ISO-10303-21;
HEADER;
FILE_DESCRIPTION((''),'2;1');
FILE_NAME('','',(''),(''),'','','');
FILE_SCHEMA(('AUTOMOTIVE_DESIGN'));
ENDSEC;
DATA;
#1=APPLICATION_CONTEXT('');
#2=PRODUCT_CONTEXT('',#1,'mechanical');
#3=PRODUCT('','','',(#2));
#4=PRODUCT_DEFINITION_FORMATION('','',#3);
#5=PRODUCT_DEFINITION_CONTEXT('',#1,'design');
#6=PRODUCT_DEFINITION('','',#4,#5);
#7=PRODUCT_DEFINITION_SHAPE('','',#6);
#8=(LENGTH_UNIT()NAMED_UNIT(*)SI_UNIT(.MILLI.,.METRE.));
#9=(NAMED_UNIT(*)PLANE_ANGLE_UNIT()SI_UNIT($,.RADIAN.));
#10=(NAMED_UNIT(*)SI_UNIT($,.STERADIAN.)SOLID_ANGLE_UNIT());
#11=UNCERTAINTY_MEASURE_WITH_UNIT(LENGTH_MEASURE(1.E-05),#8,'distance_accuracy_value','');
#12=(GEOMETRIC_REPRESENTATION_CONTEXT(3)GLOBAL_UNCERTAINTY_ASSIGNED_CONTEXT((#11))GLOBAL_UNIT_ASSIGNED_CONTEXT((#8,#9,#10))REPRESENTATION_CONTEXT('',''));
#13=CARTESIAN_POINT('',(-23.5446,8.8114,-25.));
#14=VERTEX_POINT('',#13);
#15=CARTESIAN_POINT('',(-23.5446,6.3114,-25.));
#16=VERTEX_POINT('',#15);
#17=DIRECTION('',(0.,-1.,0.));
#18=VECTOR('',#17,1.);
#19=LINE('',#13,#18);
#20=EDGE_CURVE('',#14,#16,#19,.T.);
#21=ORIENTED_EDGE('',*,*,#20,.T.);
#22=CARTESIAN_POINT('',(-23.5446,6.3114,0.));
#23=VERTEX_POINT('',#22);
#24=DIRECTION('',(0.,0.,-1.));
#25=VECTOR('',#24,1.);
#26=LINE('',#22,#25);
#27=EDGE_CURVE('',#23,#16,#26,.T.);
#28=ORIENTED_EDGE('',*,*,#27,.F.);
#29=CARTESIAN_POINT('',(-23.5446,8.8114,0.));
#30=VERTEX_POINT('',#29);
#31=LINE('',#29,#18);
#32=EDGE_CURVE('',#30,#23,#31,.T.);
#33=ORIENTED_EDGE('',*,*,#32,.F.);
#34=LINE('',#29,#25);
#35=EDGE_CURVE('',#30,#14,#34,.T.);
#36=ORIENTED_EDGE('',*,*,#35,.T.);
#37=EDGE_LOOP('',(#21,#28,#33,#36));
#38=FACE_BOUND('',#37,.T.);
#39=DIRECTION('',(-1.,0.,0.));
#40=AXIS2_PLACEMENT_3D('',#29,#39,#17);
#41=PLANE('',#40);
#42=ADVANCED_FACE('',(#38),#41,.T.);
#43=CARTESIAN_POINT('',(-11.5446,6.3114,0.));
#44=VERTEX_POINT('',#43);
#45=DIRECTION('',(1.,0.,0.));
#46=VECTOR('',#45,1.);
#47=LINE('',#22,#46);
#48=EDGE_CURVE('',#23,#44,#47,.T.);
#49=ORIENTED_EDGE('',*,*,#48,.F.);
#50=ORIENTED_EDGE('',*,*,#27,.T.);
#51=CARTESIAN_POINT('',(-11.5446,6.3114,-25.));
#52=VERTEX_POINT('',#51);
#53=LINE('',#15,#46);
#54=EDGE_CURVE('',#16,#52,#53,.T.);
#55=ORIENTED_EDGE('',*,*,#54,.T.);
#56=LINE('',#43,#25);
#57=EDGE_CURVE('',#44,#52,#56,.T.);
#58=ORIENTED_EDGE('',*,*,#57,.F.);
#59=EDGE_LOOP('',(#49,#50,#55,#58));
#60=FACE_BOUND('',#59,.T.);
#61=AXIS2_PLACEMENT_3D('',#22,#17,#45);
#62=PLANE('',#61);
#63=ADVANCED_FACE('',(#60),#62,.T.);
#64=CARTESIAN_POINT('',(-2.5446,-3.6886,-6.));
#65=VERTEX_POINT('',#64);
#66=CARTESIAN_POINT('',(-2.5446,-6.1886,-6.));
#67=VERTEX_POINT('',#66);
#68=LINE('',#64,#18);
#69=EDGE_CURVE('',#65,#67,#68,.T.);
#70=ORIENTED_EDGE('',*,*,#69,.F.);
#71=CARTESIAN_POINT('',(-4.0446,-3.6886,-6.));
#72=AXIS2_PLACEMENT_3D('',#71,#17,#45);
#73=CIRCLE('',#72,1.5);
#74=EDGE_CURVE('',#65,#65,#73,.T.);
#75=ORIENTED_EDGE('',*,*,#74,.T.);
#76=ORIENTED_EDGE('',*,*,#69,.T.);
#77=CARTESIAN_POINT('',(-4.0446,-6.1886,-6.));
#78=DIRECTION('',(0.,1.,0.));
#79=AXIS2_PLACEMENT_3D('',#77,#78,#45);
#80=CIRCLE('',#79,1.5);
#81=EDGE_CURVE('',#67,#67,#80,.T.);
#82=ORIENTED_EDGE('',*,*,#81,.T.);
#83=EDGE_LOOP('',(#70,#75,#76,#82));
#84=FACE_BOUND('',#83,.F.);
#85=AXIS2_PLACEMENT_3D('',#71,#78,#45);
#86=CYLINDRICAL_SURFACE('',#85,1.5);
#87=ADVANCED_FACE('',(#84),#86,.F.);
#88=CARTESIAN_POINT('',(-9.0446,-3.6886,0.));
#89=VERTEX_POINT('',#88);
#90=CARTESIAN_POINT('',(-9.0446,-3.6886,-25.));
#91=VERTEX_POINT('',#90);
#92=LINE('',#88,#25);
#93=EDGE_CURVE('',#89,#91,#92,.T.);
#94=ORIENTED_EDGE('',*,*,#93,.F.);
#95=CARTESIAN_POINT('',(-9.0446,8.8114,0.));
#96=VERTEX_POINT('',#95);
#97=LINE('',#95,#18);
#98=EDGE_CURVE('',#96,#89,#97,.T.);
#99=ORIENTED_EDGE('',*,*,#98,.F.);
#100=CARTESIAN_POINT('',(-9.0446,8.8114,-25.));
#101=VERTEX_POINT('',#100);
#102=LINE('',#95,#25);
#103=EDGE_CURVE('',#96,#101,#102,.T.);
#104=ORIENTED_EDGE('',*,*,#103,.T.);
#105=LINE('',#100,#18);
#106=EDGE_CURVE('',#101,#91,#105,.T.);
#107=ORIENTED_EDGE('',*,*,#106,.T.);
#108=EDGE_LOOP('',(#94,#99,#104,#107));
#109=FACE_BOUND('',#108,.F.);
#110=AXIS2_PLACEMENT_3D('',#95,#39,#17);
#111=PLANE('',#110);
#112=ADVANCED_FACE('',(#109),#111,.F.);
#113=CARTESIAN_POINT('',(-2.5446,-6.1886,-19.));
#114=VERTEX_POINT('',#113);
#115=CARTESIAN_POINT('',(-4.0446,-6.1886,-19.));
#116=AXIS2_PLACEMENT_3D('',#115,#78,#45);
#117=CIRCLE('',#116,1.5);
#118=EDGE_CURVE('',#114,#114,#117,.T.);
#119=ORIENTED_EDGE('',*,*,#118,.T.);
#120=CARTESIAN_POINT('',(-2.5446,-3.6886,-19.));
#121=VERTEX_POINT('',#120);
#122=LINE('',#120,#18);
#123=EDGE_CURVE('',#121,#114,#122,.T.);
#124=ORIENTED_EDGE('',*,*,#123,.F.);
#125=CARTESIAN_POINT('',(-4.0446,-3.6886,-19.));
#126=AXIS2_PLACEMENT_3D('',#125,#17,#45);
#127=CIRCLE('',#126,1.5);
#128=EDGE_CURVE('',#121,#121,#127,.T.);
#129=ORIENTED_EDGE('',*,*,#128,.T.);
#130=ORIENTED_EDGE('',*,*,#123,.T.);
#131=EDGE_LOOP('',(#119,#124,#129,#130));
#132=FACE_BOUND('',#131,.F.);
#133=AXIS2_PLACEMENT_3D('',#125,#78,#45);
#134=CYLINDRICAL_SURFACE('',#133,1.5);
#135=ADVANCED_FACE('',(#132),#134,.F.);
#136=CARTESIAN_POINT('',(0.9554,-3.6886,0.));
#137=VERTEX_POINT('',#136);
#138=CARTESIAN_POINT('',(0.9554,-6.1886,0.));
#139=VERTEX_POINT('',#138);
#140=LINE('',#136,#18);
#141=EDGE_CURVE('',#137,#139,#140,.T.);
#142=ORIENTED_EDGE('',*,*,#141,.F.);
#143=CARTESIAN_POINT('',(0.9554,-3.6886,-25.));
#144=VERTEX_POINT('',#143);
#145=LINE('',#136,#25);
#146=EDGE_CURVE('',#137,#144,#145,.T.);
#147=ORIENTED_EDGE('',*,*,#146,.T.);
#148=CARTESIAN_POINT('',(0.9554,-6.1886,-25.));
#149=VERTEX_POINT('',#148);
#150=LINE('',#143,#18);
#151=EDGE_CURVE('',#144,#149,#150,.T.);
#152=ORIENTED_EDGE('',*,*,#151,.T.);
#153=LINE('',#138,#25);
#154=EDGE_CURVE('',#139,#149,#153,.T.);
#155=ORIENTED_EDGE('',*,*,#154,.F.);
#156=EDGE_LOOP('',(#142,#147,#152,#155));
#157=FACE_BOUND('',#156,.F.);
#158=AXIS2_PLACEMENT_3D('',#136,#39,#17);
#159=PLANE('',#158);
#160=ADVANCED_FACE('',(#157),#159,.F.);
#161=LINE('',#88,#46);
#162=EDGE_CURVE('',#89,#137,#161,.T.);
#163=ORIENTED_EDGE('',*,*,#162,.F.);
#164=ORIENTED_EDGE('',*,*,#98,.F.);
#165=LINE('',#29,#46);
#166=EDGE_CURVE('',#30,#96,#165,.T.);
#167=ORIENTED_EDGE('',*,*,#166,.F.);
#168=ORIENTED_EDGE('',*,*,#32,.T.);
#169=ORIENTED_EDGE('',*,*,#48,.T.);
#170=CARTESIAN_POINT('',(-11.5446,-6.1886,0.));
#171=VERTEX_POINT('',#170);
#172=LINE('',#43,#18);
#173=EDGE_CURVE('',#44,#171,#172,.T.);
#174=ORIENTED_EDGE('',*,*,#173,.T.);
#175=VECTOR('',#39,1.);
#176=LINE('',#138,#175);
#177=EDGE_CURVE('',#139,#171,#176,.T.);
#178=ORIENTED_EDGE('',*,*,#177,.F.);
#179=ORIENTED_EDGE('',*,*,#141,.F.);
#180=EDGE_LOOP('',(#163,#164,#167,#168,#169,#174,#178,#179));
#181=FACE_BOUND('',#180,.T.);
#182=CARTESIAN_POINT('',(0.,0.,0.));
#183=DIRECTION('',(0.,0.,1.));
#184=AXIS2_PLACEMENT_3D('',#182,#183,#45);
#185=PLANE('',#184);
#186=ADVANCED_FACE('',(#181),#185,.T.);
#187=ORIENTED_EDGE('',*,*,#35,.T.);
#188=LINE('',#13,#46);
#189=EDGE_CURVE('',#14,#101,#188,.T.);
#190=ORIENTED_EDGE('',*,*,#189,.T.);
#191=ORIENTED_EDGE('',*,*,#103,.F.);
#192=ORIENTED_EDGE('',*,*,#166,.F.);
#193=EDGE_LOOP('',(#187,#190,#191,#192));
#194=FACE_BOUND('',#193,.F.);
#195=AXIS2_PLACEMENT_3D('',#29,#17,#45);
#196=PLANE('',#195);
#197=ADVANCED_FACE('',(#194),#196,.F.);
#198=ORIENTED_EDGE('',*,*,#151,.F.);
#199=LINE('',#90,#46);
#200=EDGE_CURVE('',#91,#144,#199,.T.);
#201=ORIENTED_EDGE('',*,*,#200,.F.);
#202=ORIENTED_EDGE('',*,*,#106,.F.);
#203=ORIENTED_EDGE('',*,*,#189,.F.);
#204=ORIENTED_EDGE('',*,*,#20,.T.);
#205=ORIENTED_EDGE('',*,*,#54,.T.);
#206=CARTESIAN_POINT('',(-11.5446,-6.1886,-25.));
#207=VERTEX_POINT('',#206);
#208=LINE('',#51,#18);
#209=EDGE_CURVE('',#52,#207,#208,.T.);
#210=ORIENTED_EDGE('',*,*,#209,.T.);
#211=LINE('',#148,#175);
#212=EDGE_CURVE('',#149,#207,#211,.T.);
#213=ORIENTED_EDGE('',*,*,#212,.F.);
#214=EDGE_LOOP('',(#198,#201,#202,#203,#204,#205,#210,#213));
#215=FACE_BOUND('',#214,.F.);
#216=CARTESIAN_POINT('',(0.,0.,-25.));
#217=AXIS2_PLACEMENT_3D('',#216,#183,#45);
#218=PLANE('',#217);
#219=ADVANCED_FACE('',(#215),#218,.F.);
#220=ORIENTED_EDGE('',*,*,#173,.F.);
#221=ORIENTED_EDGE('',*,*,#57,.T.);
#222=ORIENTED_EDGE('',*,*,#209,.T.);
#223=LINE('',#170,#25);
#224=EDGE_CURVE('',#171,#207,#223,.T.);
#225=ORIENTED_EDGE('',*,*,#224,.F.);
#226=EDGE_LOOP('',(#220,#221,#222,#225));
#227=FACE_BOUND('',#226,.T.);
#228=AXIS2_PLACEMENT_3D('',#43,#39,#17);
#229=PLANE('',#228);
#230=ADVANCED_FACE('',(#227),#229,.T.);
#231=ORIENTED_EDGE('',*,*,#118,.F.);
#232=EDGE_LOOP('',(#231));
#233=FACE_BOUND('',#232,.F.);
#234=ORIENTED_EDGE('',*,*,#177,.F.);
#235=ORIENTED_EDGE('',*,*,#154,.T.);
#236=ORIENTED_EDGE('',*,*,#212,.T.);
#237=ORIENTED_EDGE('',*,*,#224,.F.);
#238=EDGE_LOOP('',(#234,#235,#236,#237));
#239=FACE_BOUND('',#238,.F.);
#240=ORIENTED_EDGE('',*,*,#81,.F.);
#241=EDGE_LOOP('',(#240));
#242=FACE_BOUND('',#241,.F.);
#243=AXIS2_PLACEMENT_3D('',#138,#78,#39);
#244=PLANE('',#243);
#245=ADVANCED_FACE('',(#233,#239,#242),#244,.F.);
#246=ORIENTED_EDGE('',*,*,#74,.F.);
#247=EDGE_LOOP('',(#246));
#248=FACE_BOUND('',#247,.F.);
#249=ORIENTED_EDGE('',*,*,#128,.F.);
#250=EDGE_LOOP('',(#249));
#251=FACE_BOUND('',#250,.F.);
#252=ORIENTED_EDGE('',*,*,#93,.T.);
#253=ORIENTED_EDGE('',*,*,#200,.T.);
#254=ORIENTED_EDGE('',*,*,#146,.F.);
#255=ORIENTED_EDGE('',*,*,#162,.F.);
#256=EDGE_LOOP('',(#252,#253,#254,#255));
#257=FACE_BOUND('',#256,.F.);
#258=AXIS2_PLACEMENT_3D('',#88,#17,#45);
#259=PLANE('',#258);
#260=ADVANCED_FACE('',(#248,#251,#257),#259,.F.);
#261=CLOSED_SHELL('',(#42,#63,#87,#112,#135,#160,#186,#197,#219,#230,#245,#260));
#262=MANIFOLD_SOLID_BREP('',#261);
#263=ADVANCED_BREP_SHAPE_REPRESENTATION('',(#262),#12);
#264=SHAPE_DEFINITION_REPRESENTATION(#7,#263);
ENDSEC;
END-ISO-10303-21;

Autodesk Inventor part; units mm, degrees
ref_plane "YZ Plane" through (0, 0, 0) normal (1, 0, 0) x (0, 1, 0)
ref_plane "XZ Plane" through (0, 0, 0) normal (0, 1, 0) x (-1, 0, 0)
ref_plane "XY Plane" through (0, 0, 0) normal (0, 0, 1) x (1, 0, 0)
sketch "Sketch1" plane through (0, 0, 0) normal (0, 0, 1) x (1, 0, 0)
  line L0 (-9.0446, 8.8114) -> (-9.0446, -3.6886)
  line L1 (-11.5446, 6.3114) -> (-11.5446, -6.1886)
  line L2 (-9.0446, -3.6886) -> (0.9554, -3.6886)
  line L3 (0.9554, -3.6886) -> (0.9554, -6.1886)
  line L4 (0.9554, -6.1886) -> (-11.5446, -6.1886)
  line L5 (-23.5446, 8.8114) -> (-23.5446, 6.3114)
  line L6 (-23.5446, 6.3114) -> (-11.5446, 6.3114)
  line L7 (-23.5446, 8.8114) -> (-9.0446, 8.8114)
  point P0 (0, 0)
  dimension "d22" = 2.5
  dimension "d39" = 10
  dimension "d48" = 24.5
extrude "Extrusion1" add sketch "Sketch1" against normal blind 25
sketch "Sketch5" plane through (-9.0446, -3.6886, 0) normal (0, 1, 0) x (1, 0, 0)
  line L0 (10, 0) -> (10, 25) projected
  line L1 (10, 12.5) -> (0, 12.5)
  line L2 (0, 0) -> (0, 25) projected
  line L3 (0, 25) -> (10, 25) projected
  line L4 (5, 25) -> (5, 0)
  line L5 (-2.5, 0) -> (10, 0) projected
  line L6 (0, 0) -> (0, 25) projected
  line L7 (0, 6) -> (10, 6)
  line L8 (10, 0) -> (10, 25) projected
  line L9 (0, 19) -> (10, 19)
  circle A0 centre (5, 19) radius 1.5
  circle A1 centre (5, 6) radius 1.5
  point P0 (9.0446, 0)
  dimension "d49" = 6
  dimension "d50" = 6
  dimension "d51" = 3
  dimension "d52" = 3
extrude "Extrusion5" cut sketch "Sketch5" against normal blind 4 contours A1 L4 L7 | L7 L4 A1 | A1 L7 L4 | L7 A1 L4 | A0 L4 L9 | L9 L4 A0 | A0 L9 L4 | L9 A0 L4
properties part number "Carcasa para Placa Reed Switch 30x25" material "ABS Plastic"
